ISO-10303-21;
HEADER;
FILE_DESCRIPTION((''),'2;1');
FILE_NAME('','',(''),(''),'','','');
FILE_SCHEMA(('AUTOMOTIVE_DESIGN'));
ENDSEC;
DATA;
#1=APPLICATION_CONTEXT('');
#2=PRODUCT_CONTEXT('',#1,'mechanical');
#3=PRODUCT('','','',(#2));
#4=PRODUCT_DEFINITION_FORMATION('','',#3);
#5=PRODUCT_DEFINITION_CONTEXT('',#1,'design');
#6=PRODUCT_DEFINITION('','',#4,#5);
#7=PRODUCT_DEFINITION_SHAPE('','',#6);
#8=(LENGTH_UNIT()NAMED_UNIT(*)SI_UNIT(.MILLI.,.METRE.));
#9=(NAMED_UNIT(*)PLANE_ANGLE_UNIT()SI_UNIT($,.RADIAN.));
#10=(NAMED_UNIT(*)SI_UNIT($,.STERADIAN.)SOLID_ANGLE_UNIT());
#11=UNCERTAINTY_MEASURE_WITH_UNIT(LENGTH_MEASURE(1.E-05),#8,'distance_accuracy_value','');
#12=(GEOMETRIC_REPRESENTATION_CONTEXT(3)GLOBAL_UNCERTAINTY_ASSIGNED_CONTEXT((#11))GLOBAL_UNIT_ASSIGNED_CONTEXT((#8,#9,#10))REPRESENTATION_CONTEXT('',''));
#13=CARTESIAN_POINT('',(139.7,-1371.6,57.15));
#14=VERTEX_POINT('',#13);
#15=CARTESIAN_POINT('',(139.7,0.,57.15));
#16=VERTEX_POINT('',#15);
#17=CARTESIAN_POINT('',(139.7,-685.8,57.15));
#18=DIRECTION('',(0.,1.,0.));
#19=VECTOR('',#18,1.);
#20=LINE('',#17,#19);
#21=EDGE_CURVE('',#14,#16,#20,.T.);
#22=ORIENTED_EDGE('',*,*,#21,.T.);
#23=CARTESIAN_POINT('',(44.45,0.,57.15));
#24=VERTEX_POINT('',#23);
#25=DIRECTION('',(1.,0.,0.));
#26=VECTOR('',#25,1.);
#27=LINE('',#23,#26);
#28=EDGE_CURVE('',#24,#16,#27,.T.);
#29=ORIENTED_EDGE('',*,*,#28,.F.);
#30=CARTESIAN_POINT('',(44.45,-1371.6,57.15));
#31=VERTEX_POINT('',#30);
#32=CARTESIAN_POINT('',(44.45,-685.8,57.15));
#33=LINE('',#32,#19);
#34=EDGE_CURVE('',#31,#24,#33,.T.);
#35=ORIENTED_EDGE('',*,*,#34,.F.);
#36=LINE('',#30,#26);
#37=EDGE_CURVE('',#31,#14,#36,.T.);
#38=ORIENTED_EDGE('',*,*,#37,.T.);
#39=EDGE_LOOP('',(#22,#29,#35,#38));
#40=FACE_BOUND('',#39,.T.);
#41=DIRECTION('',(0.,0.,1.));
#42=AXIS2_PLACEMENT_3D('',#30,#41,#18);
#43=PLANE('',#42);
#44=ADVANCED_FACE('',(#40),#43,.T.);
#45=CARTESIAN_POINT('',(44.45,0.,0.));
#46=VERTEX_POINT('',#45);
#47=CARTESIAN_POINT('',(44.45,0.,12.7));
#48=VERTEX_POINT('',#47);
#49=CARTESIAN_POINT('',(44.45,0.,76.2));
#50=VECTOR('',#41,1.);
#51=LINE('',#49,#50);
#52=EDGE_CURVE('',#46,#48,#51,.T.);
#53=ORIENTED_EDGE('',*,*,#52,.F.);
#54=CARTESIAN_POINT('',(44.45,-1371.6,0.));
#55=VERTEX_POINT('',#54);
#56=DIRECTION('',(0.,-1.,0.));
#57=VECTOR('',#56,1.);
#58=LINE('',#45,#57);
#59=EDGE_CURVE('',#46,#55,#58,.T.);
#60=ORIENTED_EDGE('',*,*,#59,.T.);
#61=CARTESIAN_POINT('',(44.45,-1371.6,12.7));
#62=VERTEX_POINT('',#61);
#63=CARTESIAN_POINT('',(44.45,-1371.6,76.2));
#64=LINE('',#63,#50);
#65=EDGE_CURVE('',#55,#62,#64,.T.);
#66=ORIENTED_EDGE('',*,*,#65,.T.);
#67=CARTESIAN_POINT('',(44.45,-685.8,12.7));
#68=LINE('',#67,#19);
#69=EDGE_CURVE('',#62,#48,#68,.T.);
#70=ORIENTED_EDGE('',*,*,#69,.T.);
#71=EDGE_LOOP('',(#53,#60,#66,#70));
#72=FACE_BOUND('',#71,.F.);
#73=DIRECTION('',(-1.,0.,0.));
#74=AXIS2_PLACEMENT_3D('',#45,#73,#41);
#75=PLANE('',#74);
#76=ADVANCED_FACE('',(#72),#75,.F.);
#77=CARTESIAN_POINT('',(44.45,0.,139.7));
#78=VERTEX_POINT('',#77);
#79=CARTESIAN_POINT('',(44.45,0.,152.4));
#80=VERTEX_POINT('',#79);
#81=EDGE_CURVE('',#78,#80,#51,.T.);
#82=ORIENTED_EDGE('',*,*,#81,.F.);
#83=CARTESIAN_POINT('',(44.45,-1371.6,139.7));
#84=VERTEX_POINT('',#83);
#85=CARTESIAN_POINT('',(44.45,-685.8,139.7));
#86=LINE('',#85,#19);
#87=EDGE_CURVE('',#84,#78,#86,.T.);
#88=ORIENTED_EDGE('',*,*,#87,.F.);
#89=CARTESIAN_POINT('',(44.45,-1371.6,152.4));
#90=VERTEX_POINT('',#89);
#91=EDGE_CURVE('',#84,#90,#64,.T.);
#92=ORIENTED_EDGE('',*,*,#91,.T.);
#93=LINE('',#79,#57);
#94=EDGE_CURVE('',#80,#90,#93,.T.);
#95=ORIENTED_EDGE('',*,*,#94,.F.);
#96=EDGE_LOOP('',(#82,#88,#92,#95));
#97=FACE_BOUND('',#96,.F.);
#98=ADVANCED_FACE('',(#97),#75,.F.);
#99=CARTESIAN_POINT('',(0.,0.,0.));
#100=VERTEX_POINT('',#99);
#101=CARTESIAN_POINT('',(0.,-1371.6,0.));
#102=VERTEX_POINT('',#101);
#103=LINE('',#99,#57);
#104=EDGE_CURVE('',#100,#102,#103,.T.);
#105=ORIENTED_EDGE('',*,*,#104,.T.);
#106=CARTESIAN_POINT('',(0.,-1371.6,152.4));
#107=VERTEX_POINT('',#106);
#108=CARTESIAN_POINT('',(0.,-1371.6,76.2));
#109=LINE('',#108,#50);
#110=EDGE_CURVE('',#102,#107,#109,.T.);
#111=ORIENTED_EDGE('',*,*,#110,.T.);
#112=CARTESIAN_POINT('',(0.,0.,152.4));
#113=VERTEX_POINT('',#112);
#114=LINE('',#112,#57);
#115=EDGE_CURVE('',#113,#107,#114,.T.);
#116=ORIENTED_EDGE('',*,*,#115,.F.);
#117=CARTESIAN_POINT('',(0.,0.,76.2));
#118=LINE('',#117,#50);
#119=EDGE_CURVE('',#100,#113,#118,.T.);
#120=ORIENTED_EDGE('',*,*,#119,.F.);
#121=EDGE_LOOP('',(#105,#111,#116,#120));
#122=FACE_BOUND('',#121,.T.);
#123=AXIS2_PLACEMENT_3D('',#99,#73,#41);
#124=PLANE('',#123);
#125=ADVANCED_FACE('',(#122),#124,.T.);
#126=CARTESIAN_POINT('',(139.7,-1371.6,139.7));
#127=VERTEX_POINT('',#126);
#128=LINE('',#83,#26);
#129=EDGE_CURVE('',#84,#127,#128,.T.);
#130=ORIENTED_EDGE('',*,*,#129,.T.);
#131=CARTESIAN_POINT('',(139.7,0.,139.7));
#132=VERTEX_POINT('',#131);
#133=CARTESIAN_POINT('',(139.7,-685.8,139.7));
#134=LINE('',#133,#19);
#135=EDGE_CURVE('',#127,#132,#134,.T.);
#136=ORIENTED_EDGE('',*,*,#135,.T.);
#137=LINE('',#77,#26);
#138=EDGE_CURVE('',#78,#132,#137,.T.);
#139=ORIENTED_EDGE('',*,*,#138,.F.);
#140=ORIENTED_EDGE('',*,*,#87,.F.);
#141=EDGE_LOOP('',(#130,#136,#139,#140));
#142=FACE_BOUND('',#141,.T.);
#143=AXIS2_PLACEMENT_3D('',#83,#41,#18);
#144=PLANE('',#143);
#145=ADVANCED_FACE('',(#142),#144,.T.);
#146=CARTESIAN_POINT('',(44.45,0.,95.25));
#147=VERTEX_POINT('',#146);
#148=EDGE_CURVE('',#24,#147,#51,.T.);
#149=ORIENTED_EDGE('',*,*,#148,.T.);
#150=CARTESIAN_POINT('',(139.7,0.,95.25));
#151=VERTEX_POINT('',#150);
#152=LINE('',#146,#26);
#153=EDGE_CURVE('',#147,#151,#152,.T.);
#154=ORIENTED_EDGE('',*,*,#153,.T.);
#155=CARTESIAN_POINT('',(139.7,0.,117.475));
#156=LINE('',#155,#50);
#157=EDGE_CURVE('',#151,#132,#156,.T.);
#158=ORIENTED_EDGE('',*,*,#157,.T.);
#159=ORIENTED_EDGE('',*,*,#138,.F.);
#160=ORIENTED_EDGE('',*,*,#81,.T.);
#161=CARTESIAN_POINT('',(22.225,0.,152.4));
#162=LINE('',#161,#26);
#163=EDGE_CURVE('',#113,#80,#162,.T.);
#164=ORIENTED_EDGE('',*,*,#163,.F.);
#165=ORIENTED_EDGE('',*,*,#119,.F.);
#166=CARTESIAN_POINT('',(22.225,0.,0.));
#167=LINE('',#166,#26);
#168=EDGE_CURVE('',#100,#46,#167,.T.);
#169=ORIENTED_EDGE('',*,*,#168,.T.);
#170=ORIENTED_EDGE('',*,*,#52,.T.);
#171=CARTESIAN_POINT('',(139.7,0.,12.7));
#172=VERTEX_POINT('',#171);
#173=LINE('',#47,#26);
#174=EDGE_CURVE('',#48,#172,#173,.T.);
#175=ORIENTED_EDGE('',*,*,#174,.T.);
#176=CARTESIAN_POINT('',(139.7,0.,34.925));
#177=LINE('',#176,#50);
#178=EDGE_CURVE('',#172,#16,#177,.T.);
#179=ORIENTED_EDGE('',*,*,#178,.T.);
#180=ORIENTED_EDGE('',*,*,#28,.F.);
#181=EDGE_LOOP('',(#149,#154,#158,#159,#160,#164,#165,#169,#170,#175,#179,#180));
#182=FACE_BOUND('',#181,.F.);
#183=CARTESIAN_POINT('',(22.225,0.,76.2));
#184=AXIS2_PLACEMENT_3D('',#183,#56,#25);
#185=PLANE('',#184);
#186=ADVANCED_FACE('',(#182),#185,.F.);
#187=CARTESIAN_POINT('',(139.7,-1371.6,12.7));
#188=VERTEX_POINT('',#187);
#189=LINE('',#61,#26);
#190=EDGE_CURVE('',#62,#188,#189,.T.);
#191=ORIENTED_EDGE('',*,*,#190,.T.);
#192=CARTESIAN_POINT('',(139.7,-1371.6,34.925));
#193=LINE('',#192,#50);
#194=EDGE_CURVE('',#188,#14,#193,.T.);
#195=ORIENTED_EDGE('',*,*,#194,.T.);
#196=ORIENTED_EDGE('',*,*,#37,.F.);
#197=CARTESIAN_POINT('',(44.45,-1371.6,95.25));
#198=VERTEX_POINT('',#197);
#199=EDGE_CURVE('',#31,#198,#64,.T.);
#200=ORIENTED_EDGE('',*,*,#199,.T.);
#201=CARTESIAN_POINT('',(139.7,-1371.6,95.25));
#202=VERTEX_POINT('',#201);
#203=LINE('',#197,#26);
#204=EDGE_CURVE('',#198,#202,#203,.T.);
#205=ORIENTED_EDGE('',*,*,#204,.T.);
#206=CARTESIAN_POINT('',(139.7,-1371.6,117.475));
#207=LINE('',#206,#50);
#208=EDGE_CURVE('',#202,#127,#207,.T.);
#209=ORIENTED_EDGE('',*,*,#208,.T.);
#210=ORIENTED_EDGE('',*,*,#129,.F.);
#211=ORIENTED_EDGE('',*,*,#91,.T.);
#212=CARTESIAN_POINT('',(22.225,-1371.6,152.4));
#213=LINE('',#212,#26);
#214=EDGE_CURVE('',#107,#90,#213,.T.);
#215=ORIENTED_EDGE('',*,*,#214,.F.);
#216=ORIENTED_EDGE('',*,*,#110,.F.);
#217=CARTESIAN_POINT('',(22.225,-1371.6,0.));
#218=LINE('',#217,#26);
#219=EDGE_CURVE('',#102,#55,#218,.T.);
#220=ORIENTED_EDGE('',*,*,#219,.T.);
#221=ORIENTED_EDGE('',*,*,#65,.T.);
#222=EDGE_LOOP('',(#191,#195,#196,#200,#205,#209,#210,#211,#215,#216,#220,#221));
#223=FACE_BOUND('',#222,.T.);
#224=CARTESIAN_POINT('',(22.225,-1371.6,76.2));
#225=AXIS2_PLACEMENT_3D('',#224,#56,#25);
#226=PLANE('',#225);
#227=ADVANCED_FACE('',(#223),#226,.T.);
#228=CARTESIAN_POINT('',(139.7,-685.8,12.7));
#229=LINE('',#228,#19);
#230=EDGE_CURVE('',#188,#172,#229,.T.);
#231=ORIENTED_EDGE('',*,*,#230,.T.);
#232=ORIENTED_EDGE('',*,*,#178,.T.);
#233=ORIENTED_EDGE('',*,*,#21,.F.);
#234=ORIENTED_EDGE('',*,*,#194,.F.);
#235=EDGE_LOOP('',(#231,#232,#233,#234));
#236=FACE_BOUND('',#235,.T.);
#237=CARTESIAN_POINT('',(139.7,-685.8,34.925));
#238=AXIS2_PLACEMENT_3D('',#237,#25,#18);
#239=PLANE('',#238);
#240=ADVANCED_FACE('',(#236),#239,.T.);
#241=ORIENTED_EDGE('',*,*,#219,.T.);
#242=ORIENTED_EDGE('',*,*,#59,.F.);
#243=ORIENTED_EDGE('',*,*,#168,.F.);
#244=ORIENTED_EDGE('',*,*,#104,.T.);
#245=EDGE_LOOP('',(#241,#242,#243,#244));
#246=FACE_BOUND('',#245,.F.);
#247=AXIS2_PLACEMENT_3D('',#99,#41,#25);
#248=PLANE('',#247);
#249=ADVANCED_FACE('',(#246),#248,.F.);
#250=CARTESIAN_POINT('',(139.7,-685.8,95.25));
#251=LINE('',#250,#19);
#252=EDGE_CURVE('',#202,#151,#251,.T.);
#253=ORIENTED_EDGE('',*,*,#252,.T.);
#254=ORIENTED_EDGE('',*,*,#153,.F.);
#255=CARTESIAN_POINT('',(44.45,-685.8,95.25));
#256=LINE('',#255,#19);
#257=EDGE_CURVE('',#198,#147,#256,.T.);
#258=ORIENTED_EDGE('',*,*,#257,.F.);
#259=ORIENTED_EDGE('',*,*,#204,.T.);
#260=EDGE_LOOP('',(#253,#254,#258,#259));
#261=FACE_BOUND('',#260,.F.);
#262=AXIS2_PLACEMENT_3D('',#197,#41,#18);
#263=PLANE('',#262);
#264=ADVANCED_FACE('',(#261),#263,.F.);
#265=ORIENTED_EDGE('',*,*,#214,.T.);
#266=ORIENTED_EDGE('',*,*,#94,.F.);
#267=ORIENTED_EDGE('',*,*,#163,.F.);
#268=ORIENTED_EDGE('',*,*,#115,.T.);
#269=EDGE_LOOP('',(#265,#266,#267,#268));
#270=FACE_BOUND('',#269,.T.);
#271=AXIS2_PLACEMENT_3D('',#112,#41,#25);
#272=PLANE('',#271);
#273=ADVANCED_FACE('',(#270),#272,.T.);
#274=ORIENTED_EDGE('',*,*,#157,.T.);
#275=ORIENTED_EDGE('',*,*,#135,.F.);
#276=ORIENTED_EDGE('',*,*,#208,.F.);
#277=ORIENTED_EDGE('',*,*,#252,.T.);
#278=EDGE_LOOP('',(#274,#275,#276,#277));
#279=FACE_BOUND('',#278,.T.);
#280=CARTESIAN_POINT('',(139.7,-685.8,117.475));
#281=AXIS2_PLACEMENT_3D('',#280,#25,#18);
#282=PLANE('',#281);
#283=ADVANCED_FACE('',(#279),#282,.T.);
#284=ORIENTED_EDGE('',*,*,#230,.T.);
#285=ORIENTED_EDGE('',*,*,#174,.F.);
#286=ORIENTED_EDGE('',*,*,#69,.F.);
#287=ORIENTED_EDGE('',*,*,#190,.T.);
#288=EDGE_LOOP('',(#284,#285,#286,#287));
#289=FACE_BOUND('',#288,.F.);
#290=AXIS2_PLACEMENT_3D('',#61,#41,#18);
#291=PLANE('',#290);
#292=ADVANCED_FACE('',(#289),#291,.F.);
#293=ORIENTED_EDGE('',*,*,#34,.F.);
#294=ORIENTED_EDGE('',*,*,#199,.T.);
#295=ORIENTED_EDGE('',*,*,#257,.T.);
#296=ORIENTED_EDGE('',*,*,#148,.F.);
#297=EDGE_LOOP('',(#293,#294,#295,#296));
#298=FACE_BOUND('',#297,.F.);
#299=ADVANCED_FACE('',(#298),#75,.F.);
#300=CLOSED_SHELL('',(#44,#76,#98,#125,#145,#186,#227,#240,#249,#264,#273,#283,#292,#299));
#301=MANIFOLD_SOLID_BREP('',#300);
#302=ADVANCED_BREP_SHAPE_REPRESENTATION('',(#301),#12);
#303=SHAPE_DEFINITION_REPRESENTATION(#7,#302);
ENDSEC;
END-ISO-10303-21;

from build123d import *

# Parameters (mm, degrees)
F0_W     = 44.45
F0_H     = 152.4
F1_DEPTH = 1371.6
F2_W     = 1371.6
F2_H     = 44.45
F3_DEPTH = 95.25


with BuildPart() as f1:
    # F0 (on Front) → F1 (new body)
    with BuildSketch(Plane.XZ):
        with Locations((22.225, 76.2)):
            Rectangle(F0_W, F0_H)
    extrude(amount=F1_DEPTH)

    # F2 (on face) → F3 (join)
    with BuildSketch(Plane.YZ.offset(44.45)):
        with Locations((-685.8, 117.475)):
            Rectangle(F2_W, F2_H)
        with Locations((-685.8, 34.925)):
            Rectangle(F2_W, F2_H)
    extrude(amount=F3_DEPTH)


solid = f1.part
